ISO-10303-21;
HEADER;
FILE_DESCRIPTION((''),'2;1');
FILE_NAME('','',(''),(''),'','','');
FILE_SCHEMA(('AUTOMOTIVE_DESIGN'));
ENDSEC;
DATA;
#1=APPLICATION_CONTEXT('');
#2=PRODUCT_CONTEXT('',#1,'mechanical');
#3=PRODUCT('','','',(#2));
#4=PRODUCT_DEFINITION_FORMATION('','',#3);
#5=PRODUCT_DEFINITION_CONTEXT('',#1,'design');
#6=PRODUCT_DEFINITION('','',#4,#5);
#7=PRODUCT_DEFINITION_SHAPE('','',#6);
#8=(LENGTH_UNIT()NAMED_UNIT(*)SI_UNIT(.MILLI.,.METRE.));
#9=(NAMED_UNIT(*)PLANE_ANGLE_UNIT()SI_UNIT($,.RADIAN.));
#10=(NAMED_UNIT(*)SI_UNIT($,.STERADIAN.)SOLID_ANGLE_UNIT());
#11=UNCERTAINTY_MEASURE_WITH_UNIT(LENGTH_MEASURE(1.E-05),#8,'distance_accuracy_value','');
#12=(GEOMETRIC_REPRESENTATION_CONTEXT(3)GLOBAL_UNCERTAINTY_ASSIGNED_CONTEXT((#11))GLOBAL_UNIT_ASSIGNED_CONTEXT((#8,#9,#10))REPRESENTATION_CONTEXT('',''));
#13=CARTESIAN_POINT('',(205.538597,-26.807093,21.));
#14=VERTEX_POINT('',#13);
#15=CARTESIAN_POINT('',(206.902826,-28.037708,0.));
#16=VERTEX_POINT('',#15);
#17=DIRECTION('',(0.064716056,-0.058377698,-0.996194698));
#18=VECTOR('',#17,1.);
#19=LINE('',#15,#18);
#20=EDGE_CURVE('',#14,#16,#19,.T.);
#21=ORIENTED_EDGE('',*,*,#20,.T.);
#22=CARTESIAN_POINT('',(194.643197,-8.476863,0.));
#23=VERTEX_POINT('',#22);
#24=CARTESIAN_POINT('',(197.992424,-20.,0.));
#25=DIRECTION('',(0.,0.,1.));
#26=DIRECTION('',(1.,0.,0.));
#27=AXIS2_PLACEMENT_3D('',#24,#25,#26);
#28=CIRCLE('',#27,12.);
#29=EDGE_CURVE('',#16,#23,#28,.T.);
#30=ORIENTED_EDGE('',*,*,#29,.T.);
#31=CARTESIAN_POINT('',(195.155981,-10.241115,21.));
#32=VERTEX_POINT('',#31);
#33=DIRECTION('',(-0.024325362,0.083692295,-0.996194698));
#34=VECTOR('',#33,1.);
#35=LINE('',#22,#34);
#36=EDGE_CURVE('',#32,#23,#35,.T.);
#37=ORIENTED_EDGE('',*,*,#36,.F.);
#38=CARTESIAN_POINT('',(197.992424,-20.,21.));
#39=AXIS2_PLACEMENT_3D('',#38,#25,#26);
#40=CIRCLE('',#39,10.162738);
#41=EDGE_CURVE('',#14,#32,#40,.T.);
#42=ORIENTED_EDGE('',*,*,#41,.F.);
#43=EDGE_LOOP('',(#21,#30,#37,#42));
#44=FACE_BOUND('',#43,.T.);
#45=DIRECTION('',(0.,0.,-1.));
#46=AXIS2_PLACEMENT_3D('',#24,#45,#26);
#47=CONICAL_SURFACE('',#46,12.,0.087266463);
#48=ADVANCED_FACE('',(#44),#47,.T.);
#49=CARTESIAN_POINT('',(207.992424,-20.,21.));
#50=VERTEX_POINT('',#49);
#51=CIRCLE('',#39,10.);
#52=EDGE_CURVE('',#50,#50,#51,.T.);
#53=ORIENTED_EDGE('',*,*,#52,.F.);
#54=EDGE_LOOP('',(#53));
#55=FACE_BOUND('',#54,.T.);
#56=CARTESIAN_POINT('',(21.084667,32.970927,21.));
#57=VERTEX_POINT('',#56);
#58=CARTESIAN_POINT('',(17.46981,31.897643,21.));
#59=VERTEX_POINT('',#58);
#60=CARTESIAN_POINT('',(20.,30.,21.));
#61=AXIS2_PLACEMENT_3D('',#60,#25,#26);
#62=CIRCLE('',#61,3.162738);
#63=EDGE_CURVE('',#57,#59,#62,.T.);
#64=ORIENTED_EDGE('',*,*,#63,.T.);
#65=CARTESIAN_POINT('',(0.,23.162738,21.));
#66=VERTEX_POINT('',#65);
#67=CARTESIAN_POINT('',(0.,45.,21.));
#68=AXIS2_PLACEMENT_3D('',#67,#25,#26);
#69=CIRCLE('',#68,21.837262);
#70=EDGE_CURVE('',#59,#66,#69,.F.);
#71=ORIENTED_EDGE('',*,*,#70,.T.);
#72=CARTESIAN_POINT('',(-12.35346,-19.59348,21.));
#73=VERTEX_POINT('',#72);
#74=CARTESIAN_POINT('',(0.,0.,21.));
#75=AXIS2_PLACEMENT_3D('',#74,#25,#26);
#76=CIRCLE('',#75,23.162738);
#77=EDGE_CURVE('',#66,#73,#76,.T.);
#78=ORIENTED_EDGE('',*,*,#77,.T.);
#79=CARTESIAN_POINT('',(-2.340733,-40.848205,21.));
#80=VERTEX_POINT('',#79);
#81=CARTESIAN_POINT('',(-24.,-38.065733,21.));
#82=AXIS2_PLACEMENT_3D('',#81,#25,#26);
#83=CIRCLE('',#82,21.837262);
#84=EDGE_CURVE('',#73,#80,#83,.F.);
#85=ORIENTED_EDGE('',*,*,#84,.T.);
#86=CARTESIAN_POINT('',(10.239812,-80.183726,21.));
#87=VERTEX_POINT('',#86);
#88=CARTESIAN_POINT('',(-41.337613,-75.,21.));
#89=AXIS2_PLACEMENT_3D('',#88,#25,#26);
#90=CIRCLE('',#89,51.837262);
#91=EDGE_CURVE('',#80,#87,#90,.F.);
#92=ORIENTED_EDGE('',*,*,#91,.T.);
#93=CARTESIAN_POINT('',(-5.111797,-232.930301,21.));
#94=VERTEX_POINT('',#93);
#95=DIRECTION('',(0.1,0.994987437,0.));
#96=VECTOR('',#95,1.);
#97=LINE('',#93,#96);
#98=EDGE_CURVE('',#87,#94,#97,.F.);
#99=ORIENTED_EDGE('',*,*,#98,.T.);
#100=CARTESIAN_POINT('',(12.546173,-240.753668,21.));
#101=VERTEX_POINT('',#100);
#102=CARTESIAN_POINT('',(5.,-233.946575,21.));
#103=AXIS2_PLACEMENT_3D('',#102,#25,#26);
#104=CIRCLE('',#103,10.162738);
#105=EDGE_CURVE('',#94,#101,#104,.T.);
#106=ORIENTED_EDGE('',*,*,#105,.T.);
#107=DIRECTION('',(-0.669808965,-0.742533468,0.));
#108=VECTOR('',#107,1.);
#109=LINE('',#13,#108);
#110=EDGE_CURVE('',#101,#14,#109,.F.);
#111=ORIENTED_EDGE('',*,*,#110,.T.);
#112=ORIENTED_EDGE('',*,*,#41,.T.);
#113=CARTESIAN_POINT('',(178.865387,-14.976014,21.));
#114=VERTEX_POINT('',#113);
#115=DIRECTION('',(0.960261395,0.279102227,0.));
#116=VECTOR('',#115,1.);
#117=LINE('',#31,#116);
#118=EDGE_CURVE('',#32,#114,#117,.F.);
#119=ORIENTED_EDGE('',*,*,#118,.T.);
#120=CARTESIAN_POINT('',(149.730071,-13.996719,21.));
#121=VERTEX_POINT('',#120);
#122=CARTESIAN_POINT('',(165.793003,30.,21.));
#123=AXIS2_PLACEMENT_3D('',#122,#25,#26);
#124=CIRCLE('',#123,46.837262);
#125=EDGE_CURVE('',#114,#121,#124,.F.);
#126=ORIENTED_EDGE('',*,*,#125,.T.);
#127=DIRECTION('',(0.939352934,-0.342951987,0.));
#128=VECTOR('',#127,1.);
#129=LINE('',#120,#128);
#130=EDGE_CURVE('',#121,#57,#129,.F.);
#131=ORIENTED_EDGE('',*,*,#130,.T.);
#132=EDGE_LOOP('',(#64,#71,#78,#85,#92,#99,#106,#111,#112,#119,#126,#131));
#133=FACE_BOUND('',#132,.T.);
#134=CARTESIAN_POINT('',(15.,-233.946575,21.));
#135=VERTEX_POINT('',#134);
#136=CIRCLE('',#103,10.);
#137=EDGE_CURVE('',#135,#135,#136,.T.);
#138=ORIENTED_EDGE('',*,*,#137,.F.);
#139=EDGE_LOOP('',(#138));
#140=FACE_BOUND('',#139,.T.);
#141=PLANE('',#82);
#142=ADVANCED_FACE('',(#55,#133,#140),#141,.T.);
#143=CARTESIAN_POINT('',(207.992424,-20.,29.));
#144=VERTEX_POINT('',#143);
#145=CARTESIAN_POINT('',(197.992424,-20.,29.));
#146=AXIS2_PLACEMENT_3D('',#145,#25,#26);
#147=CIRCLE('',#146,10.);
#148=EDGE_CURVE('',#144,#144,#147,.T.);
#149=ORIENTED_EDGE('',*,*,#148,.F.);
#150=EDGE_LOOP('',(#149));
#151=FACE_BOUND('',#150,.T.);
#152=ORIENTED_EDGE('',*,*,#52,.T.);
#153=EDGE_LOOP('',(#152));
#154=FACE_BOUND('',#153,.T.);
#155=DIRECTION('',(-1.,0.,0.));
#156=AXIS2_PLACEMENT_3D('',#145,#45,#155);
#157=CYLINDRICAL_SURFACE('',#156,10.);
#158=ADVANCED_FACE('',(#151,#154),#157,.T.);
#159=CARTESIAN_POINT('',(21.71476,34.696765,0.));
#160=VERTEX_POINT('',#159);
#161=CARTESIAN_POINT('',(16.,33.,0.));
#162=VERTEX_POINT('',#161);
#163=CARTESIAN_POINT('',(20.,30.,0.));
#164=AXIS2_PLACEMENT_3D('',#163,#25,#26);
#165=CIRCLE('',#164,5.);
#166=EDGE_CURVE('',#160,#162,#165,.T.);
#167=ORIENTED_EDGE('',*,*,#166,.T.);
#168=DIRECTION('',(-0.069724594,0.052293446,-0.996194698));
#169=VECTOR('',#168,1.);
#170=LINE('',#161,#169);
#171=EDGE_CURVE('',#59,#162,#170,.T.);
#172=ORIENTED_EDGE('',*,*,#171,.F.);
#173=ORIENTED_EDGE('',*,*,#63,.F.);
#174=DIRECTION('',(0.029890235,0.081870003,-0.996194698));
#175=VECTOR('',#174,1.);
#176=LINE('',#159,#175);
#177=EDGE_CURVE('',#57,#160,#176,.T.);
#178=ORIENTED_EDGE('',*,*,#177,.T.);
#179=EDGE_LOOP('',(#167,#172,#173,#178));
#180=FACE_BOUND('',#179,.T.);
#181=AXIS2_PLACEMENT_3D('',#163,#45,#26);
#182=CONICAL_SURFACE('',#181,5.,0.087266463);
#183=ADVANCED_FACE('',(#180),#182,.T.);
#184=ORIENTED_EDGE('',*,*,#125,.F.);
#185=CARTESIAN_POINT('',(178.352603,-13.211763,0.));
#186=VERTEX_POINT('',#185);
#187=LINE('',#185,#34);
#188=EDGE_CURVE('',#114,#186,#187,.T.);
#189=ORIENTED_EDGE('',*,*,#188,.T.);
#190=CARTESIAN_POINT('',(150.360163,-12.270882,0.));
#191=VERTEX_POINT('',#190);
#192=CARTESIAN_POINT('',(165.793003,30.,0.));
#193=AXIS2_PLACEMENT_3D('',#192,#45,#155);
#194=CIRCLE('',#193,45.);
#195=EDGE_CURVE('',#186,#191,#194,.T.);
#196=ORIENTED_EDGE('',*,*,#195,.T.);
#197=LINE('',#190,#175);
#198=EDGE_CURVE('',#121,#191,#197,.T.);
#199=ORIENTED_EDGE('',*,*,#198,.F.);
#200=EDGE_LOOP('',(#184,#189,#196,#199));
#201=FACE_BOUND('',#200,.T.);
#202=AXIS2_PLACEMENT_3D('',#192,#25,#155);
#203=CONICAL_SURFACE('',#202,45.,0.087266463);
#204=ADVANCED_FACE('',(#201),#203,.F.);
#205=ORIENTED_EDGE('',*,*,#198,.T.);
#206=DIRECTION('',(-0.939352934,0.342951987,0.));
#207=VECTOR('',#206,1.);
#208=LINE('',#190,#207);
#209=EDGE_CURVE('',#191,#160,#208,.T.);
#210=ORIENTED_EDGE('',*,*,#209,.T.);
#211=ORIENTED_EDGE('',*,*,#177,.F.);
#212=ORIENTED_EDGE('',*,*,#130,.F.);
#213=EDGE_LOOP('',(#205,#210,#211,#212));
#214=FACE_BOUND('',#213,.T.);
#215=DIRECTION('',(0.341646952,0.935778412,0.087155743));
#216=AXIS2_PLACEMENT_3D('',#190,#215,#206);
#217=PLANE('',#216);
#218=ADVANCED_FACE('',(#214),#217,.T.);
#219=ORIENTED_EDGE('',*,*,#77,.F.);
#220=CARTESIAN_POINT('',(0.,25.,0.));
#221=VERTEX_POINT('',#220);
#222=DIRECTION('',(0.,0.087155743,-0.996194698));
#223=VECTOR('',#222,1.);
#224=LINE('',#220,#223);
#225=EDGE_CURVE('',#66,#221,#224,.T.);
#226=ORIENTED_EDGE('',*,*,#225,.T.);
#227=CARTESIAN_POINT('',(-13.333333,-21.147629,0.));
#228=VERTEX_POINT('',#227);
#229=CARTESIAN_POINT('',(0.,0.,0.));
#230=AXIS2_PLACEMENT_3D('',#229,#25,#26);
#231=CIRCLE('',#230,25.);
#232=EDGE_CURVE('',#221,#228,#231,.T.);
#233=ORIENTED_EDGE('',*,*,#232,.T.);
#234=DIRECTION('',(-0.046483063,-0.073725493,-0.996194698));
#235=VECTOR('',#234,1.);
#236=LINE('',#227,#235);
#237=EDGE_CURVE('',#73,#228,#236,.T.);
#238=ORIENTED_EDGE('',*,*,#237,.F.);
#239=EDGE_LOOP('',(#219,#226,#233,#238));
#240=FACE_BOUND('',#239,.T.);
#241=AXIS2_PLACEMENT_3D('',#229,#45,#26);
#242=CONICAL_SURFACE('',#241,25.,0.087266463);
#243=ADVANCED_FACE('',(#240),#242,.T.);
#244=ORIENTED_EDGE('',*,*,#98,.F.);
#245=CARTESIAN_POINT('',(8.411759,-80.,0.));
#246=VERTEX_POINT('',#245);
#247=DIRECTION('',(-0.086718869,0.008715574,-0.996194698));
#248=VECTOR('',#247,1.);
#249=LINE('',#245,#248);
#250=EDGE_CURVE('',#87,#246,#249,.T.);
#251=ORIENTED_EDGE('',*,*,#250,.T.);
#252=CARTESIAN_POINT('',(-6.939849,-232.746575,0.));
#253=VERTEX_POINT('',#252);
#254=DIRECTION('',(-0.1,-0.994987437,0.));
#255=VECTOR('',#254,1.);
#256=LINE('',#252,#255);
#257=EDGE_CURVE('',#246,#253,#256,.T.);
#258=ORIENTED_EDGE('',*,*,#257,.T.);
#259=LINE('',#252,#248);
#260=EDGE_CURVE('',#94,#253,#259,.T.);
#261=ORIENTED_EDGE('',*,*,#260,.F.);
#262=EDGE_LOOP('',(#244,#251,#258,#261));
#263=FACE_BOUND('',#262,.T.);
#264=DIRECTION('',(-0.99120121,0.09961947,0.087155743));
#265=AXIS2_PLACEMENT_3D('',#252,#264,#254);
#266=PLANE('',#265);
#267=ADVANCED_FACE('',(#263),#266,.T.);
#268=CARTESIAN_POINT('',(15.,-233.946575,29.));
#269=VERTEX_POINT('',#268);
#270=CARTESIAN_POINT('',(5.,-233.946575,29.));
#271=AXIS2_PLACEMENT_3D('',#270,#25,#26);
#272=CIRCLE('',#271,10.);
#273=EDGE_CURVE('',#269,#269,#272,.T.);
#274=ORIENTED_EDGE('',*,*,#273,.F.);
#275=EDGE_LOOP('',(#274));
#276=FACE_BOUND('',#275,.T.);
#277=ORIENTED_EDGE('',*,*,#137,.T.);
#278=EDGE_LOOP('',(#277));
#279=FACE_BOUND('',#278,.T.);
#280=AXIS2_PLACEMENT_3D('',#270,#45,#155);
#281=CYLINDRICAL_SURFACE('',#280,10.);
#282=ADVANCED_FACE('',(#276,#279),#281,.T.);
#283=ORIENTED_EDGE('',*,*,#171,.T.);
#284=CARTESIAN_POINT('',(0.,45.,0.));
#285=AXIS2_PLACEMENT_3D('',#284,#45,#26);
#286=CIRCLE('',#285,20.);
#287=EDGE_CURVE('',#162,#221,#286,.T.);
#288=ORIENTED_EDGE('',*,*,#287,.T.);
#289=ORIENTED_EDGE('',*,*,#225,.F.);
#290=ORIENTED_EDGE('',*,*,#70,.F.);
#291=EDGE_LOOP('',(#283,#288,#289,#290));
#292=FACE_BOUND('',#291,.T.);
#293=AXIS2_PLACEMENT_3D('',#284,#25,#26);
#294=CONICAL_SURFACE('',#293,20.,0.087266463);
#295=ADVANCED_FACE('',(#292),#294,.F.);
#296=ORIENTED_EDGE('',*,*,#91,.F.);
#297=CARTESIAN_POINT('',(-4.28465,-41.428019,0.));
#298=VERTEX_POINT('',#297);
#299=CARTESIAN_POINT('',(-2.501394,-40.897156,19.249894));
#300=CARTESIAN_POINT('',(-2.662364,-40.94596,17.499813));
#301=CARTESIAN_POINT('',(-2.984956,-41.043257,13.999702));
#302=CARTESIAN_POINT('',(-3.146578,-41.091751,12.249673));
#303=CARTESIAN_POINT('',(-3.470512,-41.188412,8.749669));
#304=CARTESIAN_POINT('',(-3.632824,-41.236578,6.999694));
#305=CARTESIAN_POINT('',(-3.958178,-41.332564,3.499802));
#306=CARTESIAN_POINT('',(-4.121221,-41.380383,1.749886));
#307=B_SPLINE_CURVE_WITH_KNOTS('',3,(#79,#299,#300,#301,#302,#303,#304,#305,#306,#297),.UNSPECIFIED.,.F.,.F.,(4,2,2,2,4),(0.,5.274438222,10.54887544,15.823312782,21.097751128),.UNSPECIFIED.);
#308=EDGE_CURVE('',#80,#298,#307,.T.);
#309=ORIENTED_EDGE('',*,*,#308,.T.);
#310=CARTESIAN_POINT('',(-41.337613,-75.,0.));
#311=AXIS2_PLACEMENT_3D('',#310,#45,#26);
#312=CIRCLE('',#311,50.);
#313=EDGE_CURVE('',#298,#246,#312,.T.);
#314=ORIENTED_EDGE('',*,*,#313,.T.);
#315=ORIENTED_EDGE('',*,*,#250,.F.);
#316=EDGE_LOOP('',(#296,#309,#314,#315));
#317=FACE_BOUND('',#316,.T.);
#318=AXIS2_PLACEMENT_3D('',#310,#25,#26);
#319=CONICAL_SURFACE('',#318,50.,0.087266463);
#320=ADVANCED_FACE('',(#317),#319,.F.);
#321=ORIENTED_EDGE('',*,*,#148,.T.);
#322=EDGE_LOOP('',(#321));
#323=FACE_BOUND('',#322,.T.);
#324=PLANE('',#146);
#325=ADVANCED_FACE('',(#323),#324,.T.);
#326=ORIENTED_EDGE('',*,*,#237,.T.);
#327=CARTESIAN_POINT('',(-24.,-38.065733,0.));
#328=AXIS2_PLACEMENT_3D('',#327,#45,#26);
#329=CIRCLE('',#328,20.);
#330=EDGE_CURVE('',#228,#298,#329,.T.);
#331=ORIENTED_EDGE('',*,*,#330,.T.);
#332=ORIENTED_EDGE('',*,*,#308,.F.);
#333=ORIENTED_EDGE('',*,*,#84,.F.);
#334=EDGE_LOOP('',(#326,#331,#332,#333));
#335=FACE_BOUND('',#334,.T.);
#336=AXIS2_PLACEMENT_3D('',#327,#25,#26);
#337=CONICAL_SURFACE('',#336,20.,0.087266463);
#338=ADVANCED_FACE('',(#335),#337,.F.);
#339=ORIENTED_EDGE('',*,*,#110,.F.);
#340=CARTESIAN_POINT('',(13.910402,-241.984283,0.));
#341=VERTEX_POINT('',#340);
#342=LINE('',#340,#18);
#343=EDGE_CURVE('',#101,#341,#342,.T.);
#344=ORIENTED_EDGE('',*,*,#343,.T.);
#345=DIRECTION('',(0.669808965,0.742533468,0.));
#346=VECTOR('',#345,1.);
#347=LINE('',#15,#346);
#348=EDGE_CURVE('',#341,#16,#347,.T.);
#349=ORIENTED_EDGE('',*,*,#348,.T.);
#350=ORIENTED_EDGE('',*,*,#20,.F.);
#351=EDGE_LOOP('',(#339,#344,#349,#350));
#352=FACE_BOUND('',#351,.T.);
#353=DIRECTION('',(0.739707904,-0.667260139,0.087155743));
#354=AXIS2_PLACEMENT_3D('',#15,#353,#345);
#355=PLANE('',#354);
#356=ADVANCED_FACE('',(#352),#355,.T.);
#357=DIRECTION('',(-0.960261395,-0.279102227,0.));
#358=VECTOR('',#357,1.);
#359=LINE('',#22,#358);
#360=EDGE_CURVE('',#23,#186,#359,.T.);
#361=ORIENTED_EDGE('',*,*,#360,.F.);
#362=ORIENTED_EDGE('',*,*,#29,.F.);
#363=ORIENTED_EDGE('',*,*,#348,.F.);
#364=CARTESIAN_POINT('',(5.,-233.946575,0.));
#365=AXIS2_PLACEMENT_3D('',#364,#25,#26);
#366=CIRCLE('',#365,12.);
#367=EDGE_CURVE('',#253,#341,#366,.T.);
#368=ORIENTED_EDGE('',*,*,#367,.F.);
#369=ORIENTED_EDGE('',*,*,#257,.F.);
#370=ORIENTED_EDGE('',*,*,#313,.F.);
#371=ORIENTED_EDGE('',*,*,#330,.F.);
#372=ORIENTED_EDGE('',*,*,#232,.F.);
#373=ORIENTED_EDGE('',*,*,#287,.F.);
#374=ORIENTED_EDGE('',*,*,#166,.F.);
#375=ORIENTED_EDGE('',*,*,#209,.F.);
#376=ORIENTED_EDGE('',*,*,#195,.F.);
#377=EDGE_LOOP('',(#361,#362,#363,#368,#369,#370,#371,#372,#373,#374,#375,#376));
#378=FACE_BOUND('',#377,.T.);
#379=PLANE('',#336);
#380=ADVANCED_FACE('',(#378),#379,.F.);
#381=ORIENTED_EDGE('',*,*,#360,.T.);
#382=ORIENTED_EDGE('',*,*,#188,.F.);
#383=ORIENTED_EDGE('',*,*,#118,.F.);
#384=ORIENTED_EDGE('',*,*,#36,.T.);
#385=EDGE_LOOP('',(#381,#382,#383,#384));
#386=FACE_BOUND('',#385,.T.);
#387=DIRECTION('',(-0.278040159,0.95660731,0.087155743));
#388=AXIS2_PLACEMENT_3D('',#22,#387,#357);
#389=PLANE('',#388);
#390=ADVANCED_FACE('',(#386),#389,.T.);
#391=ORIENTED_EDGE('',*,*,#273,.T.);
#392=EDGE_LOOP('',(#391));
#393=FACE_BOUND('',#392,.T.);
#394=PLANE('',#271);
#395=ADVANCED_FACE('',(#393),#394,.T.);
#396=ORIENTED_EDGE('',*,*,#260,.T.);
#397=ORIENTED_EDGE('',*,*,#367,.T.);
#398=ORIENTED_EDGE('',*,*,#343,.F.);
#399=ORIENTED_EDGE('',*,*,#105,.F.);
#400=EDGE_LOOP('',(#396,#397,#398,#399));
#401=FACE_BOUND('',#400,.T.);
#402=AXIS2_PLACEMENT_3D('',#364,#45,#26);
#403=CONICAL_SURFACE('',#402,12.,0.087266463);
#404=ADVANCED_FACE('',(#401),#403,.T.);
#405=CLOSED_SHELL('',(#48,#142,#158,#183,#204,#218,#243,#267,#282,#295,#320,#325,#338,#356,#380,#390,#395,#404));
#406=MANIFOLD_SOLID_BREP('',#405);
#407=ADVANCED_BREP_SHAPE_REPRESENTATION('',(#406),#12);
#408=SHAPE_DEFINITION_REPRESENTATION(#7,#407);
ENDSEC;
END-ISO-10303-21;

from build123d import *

# Parameters (mm, degrees)
EXTRUDE_1_DEPTH = 21
EXTRUDE_1_TAPER = 5
SKETCH_2_R      = 10
EXTRUDE_2_DEPTH = 8


with BuildPart() as part:
    # Эскиз1 → Бобышка-Вытянуть1 (new body)
    with BuildSketch(Plane.XY):
        with BuildLine():
            ThreePointArc((206.902825712, -28.037707575), (208.16042902, -13.627270923), (194.643197369, -8.47686326))
            Line((194.643197369, -8.47686326), (178.352602864, -13.211762774))
            ThreePointArc((178.352602864, -13.211762774), (164.281318134, -14.974601832), (150.3601632, -12.270882024))
            Line((150.3601632, -12.270882024), (21.714759937, 34.696764669))
            ThreePointArc((21.714759937, 34.696764669), (18.576858011, 34.793189635), (16, 33))
            ThreePointArc((16, 33), (8.94427191, 27.11145618), (0, 25))
            ThreePointArc((0, 25), (-24.017605322, 6.939354046), (-13.333333333, -21.147629234))
            ThreePointArc((-13.333333333, -21.147629234), (-5.735545873, -29.916516988), (-4.284649798, -41.428018512))
            ThreePointArc((-4.284649798, -41.428018512), (6.155658081, -59.36704661), (8.411759167, -80))
            Line((8.411759167, -80), (-6.939849245, -232.746575098))
            ThreePointArc((-6.939849245, -232.746575098), (0.139115456, -244.91798346), (13.910401615, -241.984282673))
            Line((13.910401615, -241.984282673), (206.902825712, -28.037707575))
        make_face()
    extrude(amount=EXTRUDE_1_DEPTH, taper=EXTRUDE_1_TAPER)

    # Эскиз2 → Бобышка-Вытянуть2 (add)
    with BuildSketch(Plane.XY.offset(21)):
        with Locations((5, -233.946575098)):
            Circle(SKETCH_2_R)
        with Locations((197.992424097, -20)):
            Circle(SKETCH_2_R)
    extrude(amount=EXTRUDE_2_DEPTH)


solid = part.part
